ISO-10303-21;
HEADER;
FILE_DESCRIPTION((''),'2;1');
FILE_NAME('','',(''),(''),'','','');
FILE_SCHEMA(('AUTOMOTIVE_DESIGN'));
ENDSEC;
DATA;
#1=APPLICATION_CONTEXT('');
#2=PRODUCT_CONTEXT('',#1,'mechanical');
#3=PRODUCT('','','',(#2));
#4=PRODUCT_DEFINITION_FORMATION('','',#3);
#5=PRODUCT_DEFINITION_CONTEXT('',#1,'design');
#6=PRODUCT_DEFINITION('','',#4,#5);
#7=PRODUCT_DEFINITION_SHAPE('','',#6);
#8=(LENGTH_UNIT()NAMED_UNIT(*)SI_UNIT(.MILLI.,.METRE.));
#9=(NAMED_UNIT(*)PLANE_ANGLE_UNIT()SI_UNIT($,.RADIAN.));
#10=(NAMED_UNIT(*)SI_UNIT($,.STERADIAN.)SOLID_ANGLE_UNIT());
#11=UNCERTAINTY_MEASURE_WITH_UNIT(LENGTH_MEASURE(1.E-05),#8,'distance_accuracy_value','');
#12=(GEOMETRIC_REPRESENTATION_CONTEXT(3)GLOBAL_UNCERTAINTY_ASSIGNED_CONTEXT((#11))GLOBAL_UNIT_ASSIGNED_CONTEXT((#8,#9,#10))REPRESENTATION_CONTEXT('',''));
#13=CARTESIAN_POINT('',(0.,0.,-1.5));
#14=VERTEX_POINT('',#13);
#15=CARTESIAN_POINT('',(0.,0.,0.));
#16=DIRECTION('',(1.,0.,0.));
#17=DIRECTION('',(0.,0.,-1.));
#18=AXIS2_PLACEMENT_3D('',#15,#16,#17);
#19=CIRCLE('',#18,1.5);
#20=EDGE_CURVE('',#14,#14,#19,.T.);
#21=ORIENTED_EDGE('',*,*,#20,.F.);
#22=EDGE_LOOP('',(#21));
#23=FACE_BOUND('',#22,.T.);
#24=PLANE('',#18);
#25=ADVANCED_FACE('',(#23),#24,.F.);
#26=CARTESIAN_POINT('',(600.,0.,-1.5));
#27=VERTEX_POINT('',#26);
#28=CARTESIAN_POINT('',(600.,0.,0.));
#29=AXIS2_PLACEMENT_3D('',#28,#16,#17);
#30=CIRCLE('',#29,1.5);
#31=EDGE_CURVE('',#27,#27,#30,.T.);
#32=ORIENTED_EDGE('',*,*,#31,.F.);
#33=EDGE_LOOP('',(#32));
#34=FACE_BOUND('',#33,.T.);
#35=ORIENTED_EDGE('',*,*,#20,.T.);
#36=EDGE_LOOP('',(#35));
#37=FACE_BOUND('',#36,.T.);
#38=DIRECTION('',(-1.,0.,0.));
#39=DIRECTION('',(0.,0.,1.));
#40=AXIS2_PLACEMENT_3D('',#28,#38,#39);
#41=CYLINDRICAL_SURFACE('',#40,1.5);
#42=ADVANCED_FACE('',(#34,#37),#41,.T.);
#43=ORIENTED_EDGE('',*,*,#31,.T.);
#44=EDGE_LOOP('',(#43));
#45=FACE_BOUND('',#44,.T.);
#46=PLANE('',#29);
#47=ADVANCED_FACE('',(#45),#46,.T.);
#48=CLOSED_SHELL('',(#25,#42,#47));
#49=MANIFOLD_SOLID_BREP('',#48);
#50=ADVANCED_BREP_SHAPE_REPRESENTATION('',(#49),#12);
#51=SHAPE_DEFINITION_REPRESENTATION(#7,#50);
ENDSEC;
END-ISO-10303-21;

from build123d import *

# Parameters (mm, degrees)
SKETCH_1_R      = 1.5
EXTRUDE_1_DEPTH = 600


with BuildPart() as part:
    # 스케치1 → 보스-돌출1 (new body)
    with BuildSketch(Plane(origin=(0, 0, 0), x_dir=(0, 0, -1), z_dir=(1, 0, 0))):
        Circle(SKETCH_1_R)
    extrude(amount=EXTRUDE_1_DEPTH)


solid = part.part
